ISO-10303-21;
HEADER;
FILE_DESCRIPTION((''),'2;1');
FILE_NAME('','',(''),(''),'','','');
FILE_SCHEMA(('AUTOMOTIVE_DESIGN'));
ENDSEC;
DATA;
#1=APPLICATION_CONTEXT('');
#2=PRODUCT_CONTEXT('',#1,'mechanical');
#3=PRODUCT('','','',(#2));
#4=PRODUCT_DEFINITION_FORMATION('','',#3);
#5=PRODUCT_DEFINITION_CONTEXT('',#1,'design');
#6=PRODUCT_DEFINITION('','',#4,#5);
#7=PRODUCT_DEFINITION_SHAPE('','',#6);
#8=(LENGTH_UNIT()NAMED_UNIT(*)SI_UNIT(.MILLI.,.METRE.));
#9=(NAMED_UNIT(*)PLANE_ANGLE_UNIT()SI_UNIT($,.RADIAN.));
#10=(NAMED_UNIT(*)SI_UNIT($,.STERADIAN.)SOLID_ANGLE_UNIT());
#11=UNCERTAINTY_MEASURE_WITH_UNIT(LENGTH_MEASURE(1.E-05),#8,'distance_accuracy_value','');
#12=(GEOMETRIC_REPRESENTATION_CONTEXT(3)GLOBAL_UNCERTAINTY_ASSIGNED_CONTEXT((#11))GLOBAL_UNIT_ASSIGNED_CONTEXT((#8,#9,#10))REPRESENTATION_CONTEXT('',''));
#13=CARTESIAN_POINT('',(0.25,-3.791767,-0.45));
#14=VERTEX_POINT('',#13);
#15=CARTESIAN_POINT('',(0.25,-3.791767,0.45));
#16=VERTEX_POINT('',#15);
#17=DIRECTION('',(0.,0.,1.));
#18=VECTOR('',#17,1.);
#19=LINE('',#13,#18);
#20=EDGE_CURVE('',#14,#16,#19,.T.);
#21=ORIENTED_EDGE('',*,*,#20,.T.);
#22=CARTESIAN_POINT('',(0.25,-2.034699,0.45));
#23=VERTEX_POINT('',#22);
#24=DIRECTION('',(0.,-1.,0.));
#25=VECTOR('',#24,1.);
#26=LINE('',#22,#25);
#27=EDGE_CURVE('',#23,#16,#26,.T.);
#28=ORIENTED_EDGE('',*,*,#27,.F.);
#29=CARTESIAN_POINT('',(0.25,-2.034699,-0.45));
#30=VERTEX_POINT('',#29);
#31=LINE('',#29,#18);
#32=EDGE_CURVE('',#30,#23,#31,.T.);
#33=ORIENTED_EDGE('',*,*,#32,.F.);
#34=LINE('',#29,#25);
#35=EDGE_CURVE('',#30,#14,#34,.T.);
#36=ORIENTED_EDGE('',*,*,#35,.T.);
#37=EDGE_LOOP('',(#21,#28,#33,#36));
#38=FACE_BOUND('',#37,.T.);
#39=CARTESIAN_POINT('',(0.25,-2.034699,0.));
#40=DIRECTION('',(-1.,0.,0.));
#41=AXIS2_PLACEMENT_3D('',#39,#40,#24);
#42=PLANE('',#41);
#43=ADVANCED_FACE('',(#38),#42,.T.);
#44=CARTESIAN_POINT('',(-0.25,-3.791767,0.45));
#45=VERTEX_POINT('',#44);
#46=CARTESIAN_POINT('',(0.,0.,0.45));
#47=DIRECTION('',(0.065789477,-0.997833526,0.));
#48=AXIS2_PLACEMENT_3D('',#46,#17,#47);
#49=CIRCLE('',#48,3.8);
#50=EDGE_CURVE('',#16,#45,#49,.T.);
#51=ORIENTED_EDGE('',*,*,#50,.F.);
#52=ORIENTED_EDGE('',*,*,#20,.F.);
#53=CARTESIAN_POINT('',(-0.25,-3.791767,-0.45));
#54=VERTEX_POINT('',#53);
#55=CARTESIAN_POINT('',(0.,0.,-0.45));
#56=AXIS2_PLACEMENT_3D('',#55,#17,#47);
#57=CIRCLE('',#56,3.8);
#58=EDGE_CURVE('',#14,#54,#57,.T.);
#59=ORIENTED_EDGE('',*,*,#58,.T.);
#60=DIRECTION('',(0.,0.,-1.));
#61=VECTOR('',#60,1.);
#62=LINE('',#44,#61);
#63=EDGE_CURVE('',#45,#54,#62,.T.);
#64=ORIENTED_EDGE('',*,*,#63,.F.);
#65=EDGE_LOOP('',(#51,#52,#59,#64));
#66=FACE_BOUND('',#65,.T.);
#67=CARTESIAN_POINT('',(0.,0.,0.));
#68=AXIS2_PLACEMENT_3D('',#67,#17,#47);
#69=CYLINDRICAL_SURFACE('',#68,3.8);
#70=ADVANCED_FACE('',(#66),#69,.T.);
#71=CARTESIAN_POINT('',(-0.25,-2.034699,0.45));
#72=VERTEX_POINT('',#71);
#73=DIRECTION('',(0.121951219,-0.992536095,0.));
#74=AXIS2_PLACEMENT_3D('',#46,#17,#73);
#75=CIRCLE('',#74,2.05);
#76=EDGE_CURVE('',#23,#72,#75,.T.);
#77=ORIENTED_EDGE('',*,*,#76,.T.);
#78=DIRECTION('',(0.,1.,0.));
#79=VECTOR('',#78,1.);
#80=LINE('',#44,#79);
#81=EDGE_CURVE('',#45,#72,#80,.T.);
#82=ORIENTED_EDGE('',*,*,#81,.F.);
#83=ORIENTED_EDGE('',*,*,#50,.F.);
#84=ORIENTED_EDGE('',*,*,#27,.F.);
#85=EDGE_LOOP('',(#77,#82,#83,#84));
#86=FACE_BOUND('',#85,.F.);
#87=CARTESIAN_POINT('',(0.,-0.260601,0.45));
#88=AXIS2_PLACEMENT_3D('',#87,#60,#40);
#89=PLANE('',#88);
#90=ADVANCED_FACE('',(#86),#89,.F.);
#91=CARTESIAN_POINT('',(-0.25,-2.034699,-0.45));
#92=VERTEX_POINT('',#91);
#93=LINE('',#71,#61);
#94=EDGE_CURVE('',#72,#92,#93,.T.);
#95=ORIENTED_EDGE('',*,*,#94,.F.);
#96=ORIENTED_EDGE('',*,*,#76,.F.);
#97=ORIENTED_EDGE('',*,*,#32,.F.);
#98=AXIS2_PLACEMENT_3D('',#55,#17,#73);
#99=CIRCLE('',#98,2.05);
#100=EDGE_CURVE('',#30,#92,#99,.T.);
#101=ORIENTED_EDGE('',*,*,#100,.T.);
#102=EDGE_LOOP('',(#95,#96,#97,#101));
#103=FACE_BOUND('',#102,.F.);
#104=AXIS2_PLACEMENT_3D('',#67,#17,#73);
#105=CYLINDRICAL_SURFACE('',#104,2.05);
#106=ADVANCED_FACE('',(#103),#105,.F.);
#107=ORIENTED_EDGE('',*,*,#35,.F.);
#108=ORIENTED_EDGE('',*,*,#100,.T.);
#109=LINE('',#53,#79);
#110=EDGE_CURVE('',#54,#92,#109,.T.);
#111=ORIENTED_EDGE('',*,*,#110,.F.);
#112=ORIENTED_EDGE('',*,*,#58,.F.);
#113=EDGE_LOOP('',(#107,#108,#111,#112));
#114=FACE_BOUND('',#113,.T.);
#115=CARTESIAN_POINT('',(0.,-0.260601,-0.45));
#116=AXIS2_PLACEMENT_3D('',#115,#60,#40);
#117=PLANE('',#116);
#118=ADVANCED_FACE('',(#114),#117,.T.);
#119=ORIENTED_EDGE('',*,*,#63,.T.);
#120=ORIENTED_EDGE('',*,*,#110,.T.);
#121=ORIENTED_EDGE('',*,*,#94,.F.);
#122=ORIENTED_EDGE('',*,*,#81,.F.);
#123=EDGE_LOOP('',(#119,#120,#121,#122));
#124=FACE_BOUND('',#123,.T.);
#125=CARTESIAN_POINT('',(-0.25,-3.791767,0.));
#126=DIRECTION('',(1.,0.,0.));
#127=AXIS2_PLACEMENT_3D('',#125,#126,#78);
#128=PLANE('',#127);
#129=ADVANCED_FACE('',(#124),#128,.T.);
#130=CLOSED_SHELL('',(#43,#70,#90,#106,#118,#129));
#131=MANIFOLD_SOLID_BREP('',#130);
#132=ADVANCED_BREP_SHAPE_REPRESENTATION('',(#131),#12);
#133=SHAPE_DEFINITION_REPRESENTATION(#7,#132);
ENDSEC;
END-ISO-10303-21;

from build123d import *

# Parameters (mm, degrees)
PAD_DEPTH = 0.45


with BuildPart() as part:
    # Sketch → Pad (new body, symmetric)
    with BuildSketch(Plane.XY):
        with BuildLine():
            ThreePointArc((0.25, -2.034699), (0, 2.05), (-0.25, -2.034699))
            Line((-0.25, -3.791767), (-0.25, -2.034699))
            ThreePointArc((0.25, -3.791767), (0, 3.8), (-0.25, -3.791767))
            Line((0.25, -2.034699), (0.25, -3.791767))
        make_face()
    extrude(amount=PAD_DEPTH, both=True)


solid = part.part
